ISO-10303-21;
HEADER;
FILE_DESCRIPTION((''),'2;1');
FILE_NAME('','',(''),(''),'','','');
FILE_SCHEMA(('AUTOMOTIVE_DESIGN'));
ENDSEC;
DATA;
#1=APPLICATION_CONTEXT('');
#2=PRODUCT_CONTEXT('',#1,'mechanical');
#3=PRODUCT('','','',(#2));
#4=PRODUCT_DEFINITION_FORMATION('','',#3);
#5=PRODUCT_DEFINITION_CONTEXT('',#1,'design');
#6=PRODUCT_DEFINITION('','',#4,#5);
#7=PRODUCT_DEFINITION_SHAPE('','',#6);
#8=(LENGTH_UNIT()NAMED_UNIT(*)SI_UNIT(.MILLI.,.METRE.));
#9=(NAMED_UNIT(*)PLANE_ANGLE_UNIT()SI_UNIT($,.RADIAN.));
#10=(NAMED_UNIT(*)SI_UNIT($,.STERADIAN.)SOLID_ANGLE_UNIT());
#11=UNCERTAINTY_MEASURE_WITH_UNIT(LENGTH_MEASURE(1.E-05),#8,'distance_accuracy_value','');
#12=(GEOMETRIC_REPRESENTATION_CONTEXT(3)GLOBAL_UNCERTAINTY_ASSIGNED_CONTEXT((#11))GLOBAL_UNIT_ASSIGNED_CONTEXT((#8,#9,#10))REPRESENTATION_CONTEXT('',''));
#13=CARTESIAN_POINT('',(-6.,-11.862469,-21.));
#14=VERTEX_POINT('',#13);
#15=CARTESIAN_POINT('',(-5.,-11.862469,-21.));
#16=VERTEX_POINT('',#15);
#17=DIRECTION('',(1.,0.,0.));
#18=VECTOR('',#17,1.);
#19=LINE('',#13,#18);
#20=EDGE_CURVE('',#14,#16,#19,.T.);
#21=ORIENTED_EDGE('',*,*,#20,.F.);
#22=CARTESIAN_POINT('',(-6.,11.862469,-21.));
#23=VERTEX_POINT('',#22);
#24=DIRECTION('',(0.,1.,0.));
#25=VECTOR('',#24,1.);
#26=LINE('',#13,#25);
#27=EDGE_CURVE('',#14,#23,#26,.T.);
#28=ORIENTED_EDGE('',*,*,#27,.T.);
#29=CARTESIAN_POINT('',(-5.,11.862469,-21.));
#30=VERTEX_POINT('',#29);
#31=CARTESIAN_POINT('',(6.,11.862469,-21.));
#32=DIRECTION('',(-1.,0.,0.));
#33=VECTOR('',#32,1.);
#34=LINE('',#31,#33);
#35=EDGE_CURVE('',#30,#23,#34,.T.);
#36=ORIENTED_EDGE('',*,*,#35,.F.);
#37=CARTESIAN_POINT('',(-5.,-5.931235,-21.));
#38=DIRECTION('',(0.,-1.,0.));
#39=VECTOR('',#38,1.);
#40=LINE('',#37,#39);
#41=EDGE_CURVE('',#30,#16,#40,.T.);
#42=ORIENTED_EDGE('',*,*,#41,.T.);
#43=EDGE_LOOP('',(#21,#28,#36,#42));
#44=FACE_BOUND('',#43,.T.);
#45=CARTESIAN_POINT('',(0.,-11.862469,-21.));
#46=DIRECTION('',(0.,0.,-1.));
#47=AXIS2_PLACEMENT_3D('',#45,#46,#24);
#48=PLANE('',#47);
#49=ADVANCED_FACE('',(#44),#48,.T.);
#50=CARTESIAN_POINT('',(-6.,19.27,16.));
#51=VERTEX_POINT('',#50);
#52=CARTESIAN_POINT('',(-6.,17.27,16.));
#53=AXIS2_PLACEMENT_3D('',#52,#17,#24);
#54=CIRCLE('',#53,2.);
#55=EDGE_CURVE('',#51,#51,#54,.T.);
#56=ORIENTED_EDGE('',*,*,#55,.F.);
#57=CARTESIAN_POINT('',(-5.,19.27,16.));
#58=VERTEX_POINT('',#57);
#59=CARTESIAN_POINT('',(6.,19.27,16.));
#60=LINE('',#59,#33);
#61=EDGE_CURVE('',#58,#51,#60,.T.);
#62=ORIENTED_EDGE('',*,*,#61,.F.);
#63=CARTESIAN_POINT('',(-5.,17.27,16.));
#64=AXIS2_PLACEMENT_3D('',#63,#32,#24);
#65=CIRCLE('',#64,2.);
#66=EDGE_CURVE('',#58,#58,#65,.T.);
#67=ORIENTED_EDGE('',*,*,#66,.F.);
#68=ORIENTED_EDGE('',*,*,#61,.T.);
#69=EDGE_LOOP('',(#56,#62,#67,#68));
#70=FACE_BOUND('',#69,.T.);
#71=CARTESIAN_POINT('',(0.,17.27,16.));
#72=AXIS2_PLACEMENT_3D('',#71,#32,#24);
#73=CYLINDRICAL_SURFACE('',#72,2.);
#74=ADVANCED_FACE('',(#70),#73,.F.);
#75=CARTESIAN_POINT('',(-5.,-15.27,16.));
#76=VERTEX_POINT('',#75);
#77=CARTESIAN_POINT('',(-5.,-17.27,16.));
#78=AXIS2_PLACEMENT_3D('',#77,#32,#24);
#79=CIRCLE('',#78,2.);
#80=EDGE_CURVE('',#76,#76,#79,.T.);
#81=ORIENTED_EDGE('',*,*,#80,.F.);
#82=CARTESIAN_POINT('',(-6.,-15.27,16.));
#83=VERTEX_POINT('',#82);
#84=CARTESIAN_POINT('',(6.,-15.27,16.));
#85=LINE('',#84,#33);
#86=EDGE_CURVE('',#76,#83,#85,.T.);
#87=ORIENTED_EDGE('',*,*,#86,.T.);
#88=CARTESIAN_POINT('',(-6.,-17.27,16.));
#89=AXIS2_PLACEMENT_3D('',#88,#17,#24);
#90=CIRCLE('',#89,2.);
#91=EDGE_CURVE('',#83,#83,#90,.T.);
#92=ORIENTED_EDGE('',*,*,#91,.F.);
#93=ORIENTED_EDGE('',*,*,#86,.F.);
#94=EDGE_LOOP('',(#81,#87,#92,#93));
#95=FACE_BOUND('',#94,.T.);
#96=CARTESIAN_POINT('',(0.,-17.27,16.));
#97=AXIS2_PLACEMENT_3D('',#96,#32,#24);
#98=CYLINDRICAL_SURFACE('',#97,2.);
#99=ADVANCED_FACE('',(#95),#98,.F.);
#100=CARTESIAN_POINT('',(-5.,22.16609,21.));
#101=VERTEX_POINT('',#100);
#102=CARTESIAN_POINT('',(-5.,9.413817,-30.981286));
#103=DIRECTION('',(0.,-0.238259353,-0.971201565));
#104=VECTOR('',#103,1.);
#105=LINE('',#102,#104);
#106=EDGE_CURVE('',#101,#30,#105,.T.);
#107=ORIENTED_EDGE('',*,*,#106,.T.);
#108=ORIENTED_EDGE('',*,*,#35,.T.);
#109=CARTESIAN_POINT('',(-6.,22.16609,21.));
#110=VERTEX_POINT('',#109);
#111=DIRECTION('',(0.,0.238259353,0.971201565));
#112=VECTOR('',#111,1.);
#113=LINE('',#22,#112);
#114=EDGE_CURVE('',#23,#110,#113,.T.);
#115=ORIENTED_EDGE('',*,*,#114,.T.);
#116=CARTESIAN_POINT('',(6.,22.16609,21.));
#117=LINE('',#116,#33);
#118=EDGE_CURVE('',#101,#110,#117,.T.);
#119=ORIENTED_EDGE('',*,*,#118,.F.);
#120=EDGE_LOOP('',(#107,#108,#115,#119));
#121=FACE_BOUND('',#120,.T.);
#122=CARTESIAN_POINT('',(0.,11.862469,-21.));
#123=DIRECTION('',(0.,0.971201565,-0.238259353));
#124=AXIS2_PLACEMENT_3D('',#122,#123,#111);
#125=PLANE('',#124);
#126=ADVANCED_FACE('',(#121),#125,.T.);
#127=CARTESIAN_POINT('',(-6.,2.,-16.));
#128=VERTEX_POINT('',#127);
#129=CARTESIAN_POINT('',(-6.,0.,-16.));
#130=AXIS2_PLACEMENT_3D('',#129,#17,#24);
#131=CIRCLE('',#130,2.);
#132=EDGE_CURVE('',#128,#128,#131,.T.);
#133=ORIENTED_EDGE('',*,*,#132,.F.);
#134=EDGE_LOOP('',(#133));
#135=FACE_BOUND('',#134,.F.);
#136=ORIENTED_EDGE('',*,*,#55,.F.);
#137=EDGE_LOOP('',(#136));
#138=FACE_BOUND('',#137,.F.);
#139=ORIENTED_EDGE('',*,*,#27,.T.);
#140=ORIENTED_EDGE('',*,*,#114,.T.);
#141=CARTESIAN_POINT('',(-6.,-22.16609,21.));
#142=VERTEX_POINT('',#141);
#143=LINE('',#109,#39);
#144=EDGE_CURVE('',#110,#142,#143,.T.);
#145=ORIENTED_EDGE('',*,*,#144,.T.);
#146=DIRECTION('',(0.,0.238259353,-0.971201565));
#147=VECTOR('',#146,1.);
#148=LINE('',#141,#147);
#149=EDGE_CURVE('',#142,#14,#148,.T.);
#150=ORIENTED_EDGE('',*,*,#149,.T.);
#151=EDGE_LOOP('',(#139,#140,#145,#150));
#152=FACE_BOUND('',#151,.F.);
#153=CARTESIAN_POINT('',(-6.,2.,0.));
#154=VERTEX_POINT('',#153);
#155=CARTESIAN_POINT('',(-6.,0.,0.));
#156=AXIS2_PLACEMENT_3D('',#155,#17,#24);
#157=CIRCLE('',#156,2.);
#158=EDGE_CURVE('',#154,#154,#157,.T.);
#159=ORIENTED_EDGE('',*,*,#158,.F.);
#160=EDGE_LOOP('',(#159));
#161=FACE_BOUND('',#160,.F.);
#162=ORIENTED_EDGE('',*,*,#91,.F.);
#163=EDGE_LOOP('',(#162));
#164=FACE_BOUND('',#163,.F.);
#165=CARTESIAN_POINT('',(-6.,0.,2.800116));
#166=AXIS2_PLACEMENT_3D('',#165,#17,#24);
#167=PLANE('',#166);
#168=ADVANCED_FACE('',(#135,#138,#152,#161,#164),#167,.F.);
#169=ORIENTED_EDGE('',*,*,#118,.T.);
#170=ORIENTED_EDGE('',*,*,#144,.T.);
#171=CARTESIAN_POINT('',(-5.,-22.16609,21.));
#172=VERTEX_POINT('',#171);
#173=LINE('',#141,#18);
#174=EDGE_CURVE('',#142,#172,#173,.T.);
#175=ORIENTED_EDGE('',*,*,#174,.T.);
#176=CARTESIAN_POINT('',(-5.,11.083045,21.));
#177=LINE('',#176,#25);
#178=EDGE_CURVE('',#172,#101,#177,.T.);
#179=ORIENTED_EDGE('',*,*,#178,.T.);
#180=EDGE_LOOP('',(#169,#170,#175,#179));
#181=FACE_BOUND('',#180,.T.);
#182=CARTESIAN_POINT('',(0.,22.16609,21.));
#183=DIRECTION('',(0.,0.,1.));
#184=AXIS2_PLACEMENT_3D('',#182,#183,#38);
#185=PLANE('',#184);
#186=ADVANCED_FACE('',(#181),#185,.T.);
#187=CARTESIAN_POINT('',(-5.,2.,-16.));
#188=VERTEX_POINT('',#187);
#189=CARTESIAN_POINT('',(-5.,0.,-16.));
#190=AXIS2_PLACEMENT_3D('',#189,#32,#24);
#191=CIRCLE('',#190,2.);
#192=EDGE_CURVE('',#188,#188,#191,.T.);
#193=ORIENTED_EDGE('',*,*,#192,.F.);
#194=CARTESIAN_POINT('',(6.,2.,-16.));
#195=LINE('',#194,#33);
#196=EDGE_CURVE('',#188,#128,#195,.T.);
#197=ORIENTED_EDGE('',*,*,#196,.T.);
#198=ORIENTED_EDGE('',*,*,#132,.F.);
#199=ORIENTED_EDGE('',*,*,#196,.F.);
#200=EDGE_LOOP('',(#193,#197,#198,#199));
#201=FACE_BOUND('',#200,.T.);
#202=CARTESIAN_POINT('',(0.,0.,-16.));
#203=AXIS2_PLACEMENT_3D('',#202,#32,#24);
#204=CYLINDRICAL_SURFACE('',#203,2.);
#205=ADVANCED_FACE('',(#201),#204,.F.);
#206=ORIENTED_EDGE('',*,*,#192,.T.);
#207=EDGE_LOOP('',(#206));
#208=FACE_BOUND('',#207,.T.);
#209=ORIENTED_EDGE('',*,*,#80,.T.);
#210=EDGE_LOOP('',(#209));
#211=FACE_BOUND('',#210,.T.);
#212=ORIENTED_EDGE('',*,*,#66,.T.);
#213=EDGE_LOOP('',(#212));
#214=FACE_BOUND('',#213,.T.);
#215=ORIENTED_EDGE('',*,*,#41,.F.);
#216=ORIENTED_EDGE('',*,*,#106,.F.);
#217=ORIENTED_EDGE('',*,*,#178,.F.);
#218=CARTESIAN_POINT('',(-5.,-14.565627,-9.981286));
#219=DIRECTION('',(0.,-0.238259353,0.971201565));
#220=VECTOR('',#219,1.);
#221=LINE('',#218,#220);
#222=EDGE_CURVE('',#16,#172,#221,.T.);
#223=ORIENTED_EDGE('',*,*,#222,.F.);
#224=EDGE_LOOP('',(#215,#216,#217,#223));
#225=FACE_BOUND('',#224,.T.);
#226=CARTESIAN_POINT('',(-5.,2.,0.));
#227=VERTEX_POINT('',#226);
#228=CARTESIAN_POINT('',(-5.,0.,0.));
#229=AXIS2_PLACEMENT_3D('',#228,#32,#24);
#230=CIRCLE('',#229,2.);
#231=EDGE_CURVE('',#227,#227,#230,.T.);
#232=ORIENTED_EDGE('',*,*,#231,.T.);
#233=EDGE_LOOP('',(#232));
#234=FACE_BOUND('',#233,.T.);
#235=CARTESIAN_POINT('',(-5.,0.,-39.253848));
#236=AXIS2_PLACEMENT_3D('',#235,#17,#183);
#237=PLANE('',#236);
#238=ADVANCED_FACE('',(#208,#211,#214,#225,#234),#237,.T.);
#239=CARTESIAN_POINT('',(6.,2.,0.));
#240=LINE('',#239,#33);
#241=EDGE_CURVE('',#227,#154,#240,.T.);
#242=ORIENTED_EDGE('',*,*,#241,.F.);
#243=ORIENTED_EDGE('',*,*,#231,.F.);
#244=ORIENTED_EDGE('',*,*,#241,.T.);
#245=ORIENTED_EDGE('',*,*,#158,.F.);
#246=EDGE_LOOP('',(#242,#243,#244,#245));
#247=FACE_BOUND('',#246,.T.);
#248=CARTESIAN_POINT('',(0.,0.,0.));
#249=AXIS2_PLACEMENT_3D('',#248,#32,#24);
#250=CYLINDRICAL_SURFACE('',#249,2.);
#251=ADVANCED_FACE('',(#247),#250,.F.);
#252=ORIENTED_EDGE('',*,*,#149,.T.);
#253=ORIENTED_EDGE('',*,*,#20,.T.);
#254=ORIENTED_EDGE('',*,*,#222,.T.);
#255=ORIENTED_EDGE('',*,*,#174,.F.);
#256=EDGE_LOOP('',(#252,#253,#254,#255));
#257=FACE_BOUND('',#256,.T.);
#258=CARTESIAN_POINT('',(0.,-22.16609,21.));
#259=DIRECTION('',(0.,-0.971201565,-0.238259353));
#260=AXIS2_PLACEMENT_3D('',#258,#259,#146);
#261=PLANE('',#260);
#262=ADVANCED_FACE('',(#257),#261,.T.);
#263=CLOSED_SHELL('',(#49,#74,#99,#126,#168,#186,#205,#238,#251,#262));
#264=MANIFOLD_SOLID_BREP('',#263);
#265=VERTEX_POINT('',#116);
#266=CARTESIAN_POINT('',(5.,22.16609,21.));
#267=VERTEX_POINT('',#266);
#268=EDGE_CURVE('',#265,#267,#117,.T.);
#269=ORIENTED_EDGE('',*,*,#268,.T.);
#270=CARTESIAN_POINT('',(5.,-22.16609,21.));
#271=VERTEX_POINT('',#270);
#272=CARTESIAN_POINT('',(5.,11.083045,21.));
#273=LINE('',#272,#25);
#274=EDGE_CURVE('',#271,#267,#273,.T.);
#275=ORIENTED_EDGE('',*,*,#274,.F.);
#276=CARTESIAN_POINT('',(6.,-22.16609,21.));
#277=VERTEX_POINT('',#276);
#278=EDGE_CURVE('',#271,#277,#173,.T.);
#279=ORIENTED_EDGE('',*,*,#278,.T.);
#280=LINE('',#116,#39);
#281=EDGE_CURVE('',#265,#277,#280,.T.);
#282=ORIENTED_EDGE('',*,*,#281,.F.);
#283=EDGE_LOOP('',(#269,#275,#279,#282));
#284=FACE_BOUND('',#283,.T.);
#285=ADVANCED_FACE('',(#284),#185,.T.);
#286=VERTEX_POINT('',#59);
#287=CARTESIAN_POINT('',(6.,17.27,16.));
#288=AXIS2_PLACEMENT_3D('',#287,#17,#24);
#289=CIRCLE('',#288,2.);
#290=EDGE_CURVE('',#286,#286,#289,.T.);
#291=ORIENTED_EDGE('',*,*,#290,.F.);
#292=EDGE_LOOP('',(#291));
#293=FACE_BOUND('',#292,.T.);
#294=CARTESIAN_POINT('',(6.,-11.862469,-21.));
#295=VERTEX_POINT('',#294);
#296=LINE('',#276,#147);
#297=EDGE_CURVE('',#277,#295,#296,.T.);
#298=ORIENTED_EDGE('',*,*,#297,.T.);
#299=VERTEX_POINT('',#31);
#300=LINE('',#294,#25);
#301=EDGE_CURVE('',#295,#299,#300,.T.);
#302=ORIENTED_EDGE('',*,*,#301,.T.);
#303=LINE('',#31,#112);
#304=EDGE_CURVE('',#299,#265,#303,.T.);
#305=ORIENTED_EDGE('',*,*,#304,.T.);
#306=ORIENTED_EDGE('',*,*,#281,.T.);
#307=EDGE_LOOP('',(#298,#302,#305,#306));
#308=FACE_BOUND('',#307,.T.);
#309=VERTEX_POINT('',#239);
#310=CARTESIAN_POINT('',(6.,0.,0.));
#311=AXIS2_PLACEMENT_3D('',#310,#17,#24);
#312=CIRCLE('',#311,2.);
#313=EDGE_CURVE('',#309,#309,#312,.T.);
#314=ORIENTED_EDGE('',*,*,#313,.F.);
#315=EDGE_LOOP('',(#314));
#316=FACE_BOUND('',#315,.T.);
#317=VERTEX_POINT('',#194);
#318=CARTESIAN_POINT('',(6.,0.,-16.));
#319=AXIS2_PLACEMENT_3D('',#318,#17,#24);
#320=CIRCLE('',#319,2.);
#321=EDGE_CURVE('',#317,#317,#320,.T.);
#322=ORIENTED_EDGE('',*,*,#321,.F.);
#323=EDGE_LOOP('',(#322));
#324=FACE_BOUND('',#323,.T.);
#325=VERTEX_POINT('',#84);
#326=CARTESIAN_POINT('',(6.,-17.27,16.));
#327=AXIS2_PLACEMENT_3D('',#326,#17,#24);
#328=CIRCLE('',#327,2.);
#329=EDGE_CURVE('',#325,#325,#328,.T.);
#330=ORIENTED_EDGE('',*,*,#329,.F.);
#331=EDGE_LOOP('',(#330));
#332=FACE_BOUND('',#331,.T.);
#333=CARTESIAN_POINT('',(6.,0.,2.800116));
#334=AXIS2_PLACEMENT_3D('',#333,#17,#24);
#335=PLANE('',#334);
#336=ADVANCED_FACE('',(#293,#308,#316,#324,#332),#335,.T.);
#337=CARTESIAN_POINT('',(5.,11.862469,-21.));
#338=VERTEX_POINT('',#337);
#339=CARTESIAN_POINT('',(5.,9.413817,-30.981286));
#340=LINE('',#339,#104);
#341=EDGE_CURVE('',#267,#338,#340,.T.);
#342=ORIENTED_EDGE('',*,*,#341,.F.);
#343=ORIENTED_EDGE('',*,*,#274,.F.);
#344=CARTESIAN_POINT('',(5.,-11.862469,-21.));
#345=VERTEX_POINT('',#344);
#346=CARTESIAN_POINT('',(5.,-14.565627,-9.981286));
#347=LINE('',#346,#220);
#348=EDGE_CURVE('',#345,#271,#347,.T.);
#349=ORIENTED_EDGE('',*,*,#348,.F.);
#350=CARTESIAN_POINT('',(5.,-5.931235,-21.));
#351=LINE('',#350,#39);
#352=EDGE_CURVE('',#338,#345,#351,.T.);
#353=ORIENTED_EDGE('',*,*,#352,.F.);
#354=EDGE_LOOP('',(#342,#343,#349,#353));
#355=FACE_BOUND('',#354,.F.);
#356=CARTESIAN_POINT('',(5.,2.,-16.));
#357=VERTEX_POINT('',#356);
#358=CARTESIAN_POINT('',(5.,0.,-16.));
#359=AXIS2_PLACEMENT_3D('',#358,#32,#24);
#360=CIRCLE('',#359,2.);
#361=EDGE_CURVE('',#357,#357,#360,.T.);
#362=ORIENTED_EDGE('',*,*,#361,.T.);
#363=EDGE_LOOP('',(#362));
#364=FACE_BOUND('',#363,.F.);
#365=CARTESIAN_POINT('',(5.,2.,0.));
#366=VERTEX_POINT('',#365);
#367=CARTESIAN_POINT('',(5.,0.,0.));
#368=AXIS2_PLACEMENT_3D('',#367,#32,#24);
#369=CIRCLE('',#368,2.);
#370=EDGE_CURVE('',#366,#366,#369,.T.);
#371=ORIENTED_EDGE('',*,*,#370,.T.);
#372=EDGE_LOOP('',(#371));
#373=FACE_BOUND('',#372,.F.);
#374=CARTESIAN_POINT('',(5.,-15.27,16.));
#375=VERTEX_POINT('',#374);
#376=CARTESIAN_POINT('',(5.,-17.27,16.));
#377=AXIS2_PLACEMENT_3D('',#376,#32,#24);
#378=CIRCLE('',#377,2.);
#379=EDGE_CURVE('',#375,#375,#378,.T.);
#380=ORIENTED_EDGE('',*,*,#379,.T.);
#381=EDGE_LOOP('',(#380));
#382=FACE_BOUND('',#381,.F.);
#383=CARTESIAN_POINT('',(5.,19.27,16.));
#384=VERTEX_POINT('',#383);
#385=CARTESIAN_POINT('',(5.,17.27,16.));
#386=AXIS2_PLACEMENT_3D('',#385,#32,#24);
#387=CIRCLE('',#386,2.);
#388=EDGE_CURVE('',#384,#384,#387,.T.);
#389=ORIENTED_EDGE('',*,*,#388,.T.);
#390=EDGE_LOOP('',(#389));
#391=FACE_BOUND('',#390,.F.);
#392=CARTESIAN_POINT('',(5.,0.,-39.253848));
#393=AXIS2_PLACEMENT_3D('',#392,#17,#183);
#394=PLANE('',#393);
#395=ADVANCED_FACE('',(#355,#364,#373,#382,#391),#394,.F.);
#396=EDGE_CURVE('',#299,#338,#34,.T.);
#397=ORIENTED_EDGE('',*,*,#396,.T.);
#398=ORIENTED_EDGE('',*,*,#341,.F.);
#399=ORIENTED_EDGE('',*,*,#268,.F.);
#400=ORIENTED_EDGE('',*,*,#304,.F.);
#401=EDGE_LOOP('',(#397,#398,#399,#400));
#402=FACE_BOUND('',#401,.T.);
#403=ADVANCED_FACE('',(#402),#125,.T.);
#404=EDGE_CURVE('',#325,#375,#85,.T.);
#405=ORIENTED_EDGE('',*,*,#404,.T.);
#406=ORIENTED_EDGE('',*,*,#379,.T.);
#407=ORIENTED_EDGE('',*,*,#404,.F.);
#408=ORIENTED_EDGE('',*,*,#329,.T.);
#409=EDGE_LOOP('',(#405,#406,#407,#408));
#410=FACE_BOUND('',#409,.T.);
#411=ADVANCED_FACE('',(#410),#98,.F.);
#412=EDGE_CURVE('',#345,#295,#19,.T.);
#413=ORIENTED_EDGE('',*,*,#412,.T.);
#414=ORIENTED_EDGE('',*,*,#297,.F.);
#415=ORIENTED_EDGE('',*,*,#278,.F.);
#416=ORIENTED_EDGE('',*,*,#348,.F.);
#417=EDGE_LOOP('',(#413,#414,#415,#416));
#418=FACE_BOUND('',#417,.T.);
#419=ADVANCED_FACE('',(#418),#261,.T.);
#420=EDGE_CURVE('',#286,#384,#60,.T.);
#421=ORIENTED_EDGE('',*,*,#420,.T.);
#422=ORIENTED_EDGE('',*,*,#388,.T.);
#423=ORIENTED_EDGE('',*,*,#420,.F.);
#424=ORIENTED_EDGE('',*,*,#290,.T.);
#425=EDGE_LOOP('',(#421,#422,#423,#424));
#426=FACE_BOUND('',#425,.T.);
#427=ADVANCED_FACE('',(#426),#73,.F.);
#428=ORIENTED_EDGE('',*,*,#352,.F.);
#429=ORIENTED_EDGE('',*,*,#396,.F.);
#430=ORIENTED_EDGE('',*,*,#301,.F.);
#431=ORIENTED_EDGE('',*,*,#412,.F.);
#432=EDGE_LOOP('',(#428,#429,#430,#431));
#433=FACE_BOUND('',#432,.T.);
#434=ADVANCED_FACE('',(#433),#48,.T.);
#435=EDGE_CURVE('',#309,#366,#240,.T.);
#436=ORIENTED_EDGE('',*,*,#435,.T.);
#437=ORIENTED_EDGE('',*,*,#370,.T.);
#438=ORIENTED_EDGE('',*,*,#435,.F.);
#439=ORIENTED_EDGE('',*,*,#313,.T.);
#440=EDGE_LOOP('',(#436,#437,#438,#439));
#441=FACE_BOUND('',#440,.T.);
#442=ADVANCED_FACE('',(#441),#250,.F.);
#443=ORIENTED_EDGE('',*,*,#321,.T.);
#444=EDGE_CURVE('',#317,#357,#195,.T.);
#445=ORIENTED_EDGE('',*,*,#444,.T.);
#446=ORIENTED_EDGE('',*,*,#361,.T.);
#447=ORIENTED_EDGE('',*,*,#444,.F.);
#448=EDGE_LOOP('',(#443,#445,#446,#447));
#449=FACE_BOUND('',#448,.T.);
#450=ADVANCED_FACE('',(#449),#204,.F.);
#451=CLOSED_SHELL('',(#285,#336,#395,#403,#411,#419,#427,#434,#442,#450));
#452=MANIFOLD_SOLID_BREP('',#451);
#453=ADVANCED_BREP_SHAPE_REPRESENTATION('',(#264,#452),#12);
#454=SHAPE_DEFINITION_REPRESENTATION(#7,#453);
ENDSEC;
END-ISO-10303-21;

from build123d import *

# Parameters (mm, degrees)
F0_R     = 2
F1_DEPTH = 6
F2_W     = 10
F2_H     = 78.507696
F3_DEPTH = 50


with BuildPart() as f1:
    # F0 (on Right) → F1 (new body, symmetric)
    with BuildSketch(Plane.YZ):
        Polygon((22.16609, 21), (0, 21), (-22.16609, 21), (-11.862469, -21), (0, -21), (11.862469, -21), align=None)
        with Locations((0, -16)):
            Circle(F0_R, mode=Mode.SUBTRACT)
        with Locations((-17.27, 16)):
            Circle(F0_R, mode=Mode.SUBTRACT)
        Circle(F0_R, mode=Mode.SUBTRACT)
        with Locations((17.27, 16)):
            Circle(F0_R, mode=Mode.SUBTRACT)
    extrude(amount=F1_DEPTH, both=True)

    # F2 (on Front) → F3 (cut, symmetric)
    with BuildSketch(Plane.XZ):
        Rectangle(F2_W, F2_H)
    extrude(amount=F3_DEPTH, both=True, mode=Mode.SUBTRACT)


solid = f1.part
